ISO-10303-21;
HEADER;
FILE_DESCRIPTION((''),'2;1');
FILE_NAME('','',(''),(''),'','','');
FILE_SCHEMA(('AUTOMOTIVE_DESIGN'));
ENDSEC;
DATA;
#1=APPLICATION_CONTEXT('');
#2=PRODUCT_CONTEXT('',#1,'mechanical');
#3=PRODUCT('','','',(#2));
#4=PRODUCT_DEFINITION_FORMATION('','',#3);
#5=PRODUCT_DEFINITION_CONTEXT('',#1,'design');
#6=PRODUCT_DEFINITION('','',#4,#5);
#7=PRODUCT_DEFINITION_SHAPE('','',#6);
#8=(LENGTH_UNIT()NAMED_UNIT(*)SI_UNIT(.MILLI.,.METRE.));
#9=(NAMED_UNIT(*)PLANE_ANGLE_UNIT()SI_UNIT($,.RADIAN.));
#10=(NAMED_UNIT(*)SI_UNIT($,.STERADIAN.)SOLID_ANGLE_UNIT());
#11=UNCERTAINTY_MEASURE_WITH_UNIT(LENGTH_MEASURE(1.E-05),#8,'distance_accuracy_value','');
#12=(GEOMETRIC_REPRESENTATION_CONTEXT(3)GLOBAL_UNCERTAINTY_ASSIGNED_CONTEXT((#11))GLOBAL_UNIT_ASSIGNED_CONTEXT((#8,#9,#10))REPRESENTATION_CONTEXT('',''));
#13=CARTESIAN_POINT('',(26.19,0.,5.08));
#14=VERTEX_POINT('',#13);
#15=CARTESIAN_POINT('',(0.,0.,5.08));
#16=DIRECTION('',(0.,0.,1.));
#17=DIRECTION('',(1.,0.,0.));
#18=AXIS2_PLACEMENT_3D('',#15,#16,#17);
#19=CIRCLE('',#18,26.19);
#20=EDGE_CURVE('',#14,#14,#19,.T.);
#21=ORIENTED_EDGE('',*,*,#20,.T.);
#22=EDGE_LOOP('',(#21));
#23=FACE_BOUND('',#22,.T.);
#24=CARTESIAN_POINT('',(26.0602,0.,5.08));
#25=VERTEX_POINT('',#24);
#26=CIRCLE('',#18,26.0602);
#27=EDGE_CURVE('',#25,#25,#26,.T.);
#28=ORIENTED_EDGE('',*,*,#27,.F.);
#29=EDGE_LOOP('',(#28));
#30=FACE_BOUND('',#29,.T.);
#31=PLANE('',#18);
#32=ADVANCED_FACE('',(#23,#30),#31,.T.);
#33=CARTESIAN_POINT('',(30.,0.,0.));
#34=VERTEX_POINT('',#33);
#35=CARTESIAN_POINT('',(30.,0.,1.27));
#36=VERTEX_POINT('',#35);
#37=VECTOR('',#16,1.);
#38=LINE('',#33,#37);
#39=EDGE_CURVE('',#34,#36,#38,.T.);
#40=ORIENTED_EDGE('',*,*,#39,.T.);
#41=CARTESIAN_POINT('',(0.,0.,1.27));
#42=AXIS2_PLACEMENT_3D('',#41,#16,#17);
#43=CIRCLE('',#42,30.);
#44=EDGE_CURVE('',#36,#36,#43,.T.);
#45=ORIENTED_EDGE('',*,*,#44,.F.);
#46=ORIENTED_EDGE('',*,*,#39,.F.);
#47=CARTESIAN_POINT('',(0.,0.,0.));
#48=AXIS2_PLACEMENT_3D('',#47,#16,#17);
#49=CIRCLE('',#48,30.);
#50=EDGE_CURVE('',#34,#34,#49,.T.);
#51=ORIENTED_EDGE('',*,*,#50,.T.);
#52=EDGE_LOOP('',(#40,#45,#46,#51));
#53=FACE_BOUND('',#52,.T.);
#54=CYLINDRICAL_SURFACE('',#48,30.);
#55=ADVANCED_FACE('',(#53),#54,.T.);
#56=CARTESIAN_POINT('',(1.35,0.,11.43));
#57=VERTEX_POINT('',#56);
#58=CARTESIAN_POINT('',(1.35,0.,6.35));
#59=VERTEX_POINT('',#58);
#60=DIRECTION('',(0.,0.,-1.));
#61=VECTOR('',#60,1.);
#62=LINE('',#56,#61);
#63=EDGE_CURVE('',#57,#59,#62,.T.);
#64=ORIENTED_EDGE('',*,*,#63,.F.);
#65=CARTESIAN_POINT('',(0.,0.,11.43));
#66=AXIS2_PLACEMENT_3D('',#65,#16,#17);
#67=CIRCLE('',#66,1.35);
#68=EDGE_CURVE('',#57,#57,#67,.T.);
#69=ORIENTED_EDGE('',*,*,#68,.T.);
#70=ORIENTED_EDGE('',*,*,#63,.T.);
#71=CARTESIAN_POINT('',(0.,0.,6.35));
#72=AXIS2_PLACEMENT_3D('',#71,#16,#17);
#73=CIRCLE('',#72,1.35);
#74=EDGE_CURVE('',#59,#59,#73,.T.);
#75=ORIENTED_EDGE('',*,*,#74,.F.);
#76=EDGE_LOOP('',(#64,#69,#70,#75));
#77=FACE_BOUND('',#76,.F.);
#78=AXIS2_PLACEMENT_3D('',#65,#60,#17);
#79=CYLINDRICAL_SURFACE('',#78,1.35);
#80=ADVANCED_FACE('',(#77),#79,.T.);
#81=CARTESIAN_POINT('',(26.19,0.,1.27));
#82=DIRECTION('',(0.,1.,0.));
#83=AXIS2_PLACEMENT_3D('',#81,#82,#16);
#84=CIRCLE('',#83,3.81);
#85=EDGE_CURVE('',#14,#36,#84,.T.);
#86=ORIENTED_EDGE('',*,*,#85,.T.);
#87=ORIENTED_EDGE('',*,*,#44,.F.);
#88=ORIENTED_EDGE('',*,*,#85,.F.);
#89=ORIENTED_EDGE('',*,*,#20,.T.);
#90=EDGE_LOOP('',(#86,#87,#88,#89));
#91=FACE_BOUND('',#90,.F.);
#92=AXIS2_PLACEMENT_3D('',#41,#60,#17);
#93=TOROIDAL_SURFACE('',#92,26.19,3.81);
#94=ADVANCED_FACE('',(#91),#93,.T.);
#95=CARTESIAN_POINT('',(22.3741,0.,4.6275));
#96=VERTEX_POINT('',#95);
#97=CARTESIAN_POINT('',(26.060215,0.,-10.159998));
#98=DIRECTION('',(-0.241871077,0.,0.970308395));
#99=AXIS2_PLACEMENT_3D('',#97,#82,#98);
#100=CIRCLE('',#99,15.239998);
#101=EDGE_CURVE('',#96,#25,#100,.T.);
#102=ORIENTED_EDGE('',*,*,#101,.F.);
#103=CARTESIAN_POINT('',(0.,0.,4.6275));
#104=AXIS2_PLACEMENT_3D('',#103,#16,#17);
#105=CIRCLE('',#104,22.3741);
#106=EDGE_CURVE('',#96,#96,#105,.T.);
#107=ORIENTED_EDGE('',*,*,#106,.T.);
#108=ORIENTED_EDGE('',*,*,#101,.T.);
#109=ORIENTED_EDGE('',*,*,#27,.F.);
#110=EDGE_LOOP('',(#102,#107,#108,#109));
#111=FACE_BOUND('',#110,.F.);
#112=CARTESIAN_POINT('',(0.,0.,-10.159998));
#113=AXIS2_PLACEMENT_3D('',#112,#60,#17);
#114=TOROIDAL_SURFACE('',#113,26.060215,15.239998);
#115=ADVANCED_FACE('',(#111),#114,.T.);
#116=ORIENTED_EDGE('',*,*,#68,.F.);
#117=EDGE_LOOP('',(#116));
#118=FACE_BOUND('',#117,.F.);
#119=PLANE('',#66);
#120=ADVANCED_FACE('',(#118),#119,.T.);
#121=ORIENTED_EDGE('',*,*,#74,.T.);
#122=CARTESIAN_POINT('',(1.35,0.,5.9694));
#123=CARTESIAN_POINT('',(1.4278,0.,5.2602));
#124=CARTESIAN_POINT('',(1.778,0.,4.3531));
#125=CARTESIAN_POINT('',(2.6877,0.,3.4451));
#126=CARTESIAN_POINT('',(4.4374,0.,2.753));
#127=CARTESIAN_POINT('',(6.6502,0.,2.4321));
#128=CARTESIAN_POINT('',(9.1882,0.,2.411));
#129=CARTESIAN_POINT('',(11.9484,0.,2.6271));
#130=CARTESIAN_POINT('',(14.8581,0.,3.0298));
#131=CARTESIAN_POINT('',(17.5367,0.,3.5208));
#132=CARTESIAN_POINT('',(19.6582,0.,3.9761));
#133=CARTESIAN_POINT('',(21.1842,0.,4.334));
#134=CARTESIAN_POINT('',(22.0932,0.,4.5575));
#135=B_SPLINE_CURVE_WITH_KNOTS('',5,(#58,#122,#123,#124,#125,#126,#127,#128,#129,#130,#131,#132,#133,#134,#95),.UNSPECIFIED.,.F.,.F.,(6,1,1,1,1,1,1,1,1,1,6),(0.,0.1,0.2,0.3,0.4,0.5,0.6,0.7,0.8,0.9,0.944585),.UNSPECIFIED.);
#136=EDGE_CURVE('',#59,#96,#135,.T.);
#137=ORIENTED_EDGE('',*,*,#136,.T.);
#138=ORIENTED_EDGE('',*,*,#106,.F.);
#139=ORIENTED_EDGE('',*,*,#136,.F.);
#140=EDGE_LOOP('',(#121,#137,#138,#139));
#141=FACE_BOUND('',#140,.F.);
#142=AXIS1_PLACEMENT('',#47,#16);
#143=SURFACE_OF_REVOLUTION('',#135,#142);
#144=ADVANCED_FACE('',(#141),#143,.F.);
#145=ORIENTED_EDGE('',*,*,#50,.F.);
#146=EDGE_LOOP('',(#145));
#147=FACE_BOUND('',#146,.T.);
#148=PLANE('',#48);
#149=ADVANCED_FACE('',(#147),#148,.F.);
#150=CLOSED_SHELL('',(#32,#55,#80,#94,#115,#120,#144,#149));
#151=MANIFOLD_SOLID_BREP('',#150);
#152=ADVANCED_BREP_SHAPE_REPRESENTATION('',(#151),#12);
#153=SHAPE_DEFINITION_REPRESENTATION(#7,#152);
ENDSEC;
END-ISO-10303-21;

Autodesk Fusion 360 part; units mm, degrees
sketch "Sketch1" plane through (0, 0, 0) normal (0, 1, 0) x (1, 0, 0)
  line L0 (0, 0) -> (30, 0)
  line L1 (30, 0) -> (30, -1.27)
  line L2 (0, 0) -> (0, -11.43)
  line L3 (0, -11.43) -> (1.35, -11.43)
  line L4 (1.35, -11.43) -> (1.35, -6.35)
  spline S0 degree 5 poles (1.35, -6.35) (1.35, -5.9694) (1.4278, -5.2602) (1.778, -4.3531) (2.6877, -3.4451) (4.4374, -2.753) (6.6502, -2.4321) (9.1882, -2.411) (11.9484, -2.6271) (14.8581, -3.0298) (17.5367, -3.5208) (19.6582, -3.9761) (21.1842, -4.334) (22.0932, -4.5575) (22.3741, -4.6275) knots 0 0 0 0 0 0 0.1 0.2 0.3 0.4 0.5 0.6 0.7 0.8 0.9 0.944585 0.944585 0.944585 0.944585 0.944585 0.944585
  line L5 (26.19, -5.08) -> (26.0602, -5.08)
  arc A0 (26.19, -5.08) -> (30, -1.27) centre (26.19, -1.27) ccw
  arc A1 (22.3741, -4.6275) -> (26.0602, -5.08) centre (26.0602, 10.16) ccw
  point P0 (30, -5.08)
  point P1 (6.35, -2.54)
  dimension "d1" = 30
  dimension "d2" = 5.08
  dimension "d3" = 11.43
  dimension "d4" = 1.35
  dimension "d5" = 5.08
  dimension "d6" = 3.81
  dimension "d7" = 15.24
revolve "Revolve1" add sketch "Sketch1" angle 360 about axis through (0, 0, 0) along (0, 0, 1)
equation "d4 = 2.7 mm / 2"
